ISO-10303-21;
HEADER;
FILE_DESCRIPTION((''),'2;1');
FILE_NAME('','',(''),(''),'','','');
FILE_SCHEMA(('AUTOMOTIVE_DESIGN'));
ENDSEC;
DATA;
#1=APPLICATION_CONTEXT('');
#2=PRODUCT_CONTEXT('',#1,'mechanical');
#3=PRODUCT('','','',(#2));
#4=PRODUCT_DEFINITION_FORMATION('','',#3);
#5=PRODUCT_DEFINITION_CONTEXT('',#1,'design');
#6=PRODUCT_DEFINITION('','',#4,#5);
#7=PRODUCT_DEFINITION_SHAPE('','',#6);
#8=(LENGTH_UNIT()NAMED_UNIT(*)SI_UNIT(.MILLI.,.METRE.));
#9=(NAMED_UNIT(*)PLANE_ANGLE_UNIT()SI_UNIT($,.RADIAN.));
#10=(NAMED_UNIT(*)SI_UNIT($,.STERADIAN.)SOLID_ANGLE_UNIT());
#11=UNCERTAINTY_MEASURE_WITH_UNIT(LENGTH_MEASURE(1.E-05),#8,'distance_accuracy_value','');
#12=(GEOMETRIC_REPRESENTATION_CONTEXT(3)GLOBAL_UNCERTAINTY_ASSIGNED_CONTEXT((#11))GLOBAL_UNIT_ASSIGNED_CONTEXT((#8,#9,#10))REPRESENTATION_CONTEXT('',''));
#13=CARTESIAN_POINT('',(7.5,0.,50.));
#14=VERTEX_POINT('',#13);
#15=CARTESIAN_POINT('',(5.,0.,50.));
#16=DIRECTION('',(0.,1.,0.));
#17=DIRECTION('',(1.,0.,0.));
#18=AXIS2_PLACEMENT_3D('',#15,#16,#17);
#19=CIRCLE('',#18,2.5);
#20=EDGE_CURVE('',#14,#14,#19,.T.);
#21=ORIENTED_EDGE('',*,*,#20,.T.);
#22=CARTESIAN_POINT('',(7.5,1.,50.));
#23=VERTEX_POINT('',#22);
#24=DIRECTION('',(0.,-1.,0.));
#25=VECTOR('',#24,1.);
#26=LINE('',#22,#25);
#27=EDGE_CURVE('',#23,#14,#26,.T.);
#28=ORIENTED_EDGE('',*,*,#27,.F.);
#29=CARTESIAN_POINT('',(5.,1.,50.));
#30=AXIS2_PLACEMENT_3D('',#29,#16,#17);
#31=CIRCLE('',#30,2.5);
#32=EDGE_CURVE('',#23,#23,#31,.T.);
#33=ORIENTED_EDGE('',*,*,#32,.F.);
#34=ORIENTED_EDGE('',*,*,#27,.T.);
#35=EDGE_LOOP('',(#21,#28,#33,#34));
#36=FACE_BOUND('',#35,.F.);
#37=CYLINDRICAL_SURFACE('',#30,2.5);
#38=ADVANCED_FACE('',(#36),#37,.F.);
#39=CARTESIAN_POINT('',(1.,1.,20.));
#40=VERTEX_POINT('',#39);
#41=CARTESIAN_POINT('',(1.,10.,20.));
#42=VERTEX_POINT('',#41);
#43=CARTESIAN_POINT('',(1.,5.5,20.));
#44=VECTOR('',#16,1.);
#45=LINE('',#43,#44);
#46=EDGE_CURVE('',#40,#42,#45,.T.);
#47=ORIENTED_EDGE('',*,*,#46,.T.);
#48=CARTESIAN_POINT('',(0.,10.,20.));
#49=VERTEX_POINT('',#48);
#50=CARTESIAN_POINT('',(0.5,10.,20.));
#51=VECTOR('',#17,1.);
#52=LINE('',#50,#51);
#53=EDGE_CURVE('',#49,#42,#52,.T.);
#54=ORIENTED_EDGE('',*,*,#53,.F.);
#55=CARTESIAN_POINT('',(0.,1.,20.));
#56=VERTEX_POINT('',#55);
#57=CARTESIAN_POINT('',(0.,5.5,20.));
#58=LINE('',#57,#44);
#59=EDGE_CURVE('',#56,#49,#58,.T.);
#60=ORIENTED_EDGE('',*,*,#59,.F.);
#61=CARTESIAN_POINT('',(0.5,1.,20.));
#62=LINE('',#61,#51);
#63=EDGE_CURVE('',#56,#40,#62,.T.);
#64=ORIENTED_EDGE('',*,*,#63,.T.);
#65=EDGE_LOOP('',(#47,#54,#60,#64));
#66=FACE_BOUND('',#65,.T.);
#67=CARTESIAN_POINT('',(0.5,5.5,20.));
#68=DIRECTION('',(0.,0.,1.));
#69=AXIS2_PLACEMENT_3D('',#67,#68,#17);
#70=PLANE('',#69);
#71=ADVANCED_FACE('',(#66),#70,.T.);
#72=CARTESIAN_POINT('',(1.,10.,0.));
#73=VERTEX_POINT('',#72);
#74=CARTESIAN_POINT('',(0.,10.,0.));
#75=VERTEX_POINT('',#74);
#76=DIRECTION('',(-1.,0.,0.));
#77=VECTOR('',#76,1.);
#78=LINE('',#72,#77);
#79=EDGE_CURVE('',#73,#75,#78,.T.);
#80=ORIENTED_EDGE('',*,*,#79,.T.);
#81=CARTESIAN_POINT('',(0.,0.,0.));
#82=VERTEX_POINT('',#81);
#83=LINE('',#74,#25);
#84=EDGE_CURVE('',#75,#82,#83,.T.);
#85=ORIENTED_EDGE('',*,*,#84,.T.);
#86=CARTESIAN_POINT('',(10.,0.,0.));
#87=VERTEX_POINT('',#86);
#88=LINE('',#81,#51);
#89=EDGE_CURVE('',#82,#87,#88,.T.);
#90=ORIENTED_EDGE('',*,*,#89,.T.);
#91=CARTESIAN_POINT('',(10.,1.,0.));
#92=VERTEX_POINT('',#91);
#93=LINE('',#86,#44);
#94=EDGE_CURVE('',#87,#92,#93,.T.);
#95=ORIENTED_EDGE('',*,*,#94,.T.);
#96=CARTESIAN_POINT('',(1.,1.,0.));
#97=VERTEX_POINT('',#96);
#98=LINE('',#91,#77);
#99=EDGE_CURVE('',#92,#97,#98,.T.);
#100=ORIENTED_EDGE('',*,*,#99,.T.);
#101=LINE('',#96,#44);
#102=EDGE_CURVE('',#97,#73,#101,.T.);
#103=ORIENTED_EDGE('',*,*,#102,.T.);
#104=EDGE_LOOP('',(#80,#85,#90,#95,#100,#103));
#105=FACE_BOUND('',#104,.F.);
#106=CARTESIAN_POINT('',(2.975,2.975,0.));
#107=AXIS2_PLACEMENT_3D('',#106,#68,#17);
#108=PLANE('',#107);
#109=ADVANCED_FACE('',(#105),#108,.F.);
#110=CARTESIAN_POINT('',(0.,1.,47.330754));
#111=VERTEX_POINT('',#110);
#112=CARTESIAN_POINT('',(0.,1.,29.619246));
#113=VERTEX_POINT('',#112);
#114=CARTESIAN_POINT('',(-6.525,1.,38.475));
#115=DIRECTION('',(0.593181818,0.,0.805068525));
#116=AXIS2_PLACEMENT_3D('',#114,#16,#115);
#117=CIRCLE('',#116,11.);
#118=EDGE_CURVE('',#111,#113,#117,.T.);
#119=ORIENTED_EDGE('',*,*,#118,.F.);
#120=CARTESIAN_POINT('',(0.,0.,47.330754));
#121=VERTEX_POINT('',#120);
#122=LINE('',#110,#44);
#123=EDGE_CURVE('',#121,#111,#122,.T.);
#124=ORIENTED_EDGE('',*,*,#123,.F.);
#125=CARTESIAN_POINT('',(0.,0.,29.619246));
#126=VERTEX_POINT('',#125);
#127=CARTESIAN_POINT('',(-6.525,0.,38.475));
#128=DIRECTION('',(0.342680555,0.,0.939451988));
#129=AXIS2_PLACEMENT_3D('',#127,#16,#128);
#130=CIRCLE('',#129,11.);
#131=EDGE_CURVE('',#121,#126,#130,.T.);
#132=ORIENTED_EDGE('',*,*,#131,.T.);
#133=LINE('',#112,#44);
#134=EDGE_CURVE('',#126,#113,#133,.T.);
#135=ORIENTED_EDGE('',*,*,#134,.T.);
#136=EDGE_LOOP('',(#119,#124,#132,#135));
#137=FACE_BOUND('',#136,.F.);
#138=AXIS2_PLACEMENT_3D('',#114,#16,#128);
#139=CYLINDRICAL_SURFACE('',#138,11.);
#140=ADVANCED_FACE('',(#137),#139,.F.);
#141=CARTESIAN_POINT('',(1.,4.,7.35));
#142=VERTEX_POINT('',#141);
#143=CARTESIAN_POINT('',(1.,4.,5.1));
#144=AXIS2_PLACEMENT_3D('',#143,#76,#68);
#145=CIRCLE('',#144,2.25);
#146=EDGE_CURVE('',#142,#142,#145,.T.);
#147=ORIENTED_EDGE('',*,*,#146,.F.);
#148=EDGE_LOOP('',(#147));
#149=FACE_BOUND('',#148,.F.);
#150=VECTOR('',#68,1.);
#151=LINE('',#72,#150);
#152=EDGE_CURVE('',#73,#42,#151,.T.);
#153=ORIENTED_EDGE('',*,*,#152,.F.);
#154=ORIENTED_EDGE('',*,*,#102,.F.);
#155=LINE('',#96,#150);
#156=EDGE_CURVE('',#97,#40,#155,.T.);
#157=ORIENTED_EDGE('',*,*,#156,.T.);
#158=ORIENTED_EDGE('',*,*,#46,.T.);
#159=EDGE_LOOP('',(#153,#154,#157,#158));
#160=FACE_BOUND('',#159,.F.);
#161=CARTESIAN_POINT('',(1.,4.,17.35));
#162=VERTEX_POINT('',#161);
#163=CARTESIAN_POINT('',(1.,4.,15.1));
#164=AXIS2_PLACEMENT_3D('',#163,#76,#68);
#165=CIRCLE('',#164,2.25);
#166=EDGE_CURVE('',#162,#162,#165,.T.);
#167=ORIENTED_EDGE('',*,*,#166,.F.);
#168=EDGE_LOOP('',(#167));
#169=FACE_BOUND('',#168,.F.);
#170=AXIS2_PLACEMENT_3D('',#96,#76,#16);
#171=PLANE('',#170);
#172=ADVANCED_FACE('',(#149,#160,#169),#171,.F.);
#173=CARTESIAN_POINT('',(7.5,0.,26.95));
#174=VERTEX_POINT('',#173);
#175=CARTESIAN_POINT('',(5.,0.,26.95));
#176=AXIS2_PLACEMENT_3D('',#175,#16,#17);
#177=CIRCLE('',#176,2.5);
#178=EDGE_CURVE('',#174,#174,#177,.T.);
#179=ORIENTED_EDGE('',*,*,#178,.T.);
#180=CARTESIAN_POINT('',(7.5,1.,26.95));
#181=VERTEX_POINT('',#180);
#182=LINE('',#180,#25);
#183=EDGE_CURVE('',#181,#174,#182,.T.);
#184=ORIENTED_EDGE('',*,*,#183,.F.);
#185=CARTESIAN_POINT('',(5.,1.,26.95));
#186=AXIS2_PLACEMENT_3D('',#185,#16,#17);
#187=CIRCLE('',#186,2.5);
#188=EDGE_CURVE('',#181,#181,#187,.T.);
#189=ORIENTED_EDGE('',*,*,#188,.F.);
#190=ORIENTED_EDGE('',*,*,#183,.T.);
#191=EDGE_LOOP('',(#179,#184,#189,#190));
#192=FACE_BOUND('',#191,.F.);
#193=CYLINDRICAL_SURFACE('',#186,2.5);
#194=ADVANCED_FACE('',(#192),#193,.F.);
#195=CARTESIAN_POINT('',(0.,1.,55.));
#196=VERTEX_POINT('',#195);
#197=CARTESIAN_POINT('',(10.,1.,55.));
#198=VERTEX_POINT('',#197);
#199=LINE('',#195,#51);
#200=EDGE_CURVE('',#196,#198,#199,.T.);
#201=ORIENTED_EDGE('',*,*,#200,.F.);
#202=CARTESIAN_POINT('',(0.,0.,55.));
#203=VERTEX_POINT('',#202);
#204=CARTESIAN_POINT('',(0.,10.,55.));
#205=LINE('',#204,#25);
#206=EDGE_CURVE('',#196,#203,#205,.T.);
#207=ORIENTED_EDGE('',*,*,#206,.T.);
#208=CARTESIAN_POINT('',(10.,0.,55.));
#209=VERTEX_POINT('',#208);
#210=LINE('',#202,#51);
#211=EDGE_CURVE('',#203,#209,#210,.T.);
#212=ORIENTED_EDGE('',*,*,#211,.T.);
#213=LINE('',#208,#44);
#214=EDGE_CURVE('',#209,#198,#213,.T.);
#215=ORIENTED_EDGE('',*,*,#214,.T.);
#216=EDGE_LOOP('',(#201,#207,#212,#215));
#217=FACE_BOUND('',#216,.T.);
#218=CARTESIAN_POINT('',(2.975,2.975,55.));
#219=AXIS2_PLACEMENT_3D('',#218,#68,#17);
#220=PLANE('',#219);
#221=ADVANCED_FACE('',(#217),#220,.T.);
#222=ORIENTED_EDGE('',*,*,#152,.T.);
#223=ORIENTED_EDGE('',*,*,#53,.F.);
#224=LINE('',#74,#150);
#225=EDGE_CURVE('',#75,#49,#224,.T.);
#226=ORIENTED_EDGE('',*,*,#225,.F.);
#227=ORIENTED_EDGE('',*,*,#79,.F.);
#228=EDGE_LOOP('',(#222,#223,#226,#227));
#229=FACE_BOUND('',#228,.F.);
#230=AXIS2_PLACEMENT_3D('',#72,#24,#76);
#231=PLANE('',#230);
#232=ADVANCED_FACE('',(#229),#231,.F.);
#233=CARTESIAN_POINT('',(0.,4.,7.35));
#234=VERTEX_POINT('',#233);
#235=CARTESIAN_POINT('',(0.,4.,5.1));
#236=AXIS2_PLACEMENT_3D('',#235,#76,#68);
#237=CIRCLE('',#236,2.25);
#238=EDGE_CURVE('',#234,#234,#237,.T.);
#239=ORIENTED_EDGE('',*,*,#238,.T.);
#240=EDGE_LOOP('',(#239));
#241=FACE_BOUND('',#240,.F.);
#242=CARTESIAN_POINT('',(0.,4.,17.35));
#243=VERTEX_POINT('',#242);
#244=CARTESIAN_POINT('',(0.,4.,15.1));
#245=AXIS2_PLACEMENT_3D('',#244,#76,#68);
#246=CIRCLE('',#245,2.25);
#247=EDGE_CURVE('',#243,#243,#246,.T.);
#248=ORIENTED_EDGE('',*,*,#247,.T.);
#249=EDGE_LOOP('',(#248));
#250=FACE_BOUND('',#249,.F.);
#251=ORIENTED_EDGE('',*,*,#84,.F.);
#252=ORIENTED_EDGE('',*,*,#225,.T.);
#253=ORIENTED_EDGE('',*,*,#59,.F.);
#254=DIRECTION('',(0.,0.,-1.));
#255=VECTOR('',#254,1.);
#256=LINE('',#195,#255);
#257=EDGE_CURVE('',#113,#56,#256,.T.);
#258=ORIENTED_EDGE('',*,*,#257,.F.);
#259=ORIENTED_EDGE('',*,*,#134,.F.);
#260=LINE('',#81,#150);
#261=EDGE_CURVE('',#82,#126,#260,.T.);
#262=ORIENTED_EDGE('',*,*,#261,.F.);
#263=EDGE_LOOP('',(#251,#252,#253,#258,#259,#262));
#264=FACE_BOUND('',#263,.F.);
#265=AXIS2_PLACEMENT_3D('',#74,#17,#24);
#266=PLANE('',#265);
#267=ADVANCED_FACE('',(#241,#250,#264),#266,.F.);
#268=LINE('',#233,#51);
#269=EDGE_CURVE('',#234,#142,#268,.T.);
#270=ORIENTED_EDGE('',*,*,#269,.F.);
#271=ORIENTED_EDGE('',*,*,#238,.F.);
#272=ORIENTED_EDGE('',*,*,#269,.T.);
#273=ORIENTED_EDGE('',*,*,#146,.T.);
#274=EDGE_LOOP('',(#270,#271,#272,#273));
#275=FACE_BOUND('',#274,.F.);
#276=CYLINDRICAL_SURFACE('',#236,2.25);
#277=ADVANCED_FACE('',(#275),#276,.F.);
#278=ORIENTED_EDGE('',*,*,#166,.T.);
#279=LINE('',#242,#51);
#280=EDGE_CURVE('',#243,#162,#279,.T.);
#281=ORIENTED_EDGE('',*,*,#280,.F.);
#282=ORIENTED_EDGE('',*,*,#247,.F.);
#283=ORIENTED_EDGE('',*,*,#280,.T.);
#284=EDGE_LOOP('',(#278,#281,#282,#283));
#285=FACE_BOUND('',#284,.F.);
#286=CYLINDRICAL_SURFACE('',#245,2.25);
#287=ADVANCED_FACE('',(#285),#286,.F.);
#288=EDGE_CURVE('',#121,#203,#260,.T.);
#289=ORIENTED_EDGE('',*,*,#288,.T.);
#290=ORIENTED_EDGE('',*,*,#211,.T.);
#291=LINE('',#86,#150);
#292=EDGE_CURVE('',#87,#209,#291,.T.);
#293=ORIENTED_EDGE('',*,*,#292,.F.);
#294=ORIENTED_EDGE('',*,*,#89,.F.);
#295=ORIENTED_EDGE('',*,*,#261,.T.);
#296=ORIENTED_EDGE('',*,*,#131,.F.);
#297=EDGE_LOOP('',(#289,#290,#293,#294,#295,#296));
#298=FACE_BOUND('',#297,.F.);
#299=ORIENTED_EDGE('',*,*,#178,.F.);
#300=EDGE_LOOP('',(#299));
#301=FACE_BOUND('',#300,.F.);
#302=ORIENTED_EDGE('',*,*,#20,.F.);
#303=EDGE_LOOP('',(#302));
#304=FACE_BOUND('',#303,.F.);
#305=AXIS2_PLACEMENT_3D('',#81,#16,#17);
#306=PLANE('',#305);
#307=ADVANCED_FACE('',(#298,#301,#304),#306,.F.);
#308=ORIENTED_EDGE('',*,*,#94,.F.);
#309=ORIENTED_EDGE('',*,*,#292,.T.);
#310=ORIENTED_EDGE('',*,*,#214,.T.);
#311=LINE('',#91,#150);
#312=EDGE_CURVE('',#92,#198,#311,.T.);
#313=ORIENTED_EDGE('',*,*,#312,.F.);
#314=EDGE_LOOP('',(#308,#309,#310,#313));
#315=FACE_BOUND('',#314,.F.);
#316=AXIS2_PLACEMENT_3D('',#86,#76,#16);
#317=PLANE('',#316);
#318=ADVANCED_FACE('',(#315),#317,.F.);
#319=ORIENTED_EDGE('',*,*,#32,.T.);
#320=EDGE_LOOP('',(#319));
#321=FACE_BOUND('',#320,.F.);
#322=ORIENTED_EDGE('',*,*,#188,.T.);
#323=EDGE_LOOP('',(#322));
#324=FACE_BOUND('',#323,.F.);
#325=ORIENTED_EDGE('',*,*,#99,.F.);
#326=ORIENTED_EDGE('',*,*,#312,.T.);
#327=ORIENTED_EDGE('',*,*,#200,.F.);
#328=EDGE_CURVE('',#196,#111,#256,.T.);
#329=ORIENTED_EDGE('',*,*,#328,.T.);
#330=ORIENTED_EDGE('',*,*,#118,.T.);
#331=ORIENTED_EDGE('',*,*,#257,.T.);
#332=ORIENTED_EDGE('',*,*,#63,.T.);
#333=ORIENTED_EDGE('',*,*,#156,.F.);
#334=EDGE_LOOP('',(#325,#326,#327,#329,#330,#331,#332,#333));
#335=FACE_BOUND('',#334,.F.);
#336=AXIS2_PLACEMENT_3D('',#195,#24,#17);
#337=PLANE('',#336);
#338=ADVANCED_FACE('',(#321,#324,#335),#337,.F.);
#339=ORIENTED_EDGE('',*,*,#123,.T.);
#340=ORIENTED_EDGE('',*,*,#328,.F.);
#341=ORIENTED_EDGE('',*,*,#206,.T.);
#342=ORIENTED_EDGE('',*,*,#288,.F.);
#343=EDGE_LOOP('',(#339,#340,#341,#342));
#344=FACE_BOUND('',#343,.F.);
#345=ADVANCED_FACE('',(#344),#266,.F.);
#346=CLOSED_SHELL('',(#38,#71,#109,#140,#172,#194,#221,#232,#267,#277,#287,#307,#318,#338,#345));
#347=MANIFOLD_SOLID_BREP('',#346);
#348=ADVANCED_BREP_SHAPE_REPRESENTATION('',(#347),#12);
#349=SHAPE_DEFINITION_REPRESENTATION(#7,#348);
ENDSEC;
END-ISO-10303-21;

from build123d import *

# Parameters (mm, degrees)
BOSS_EXTRUDE1_DEPTH = 55
SKETCH2_R           = 2.5
CUT_EXTRUDE1_DEPTH  = 2
SKETCH3_W           = 1
SKETCH3_H           = 9
CUT_EXTRUDE2_DEPTH  = 35
SKETCH4_R           = 2.25
CUT_EXTRUDE3_DEPTH  = 11


with BuildPart() as part:
    # Sketch1 → Boss-Extrude1 (new body)
    with BuildSketch(Plane.XY):
        Polygon((0, 10), (0, 0), (10, 0), (10, 1), (1, 1), (1, 10), align=None)
    extrude(amount=BOSS_EXTRUDE1_DEPTH)

    # Sketch2 → Cut-Extrude1 (cut, through all)
    with BuildSketch(Plane(origin=(0, 1, 0), x_dir=(1, 0, 0), z_dir=(0, 1, 0))):
        with Locations((5, -50)):
            Circle(SKETCH2_R)
        with Locations((5, -26.95)):
            Circle(SKETCH2_R)
        with BuildLine():
            Line((-2.7555139, -28.141028133), (-2.7555139, -48.808971867))
            ThreePointArc((-2.7555139, -48.808971867), (4.475, -38.475), (-2.7555139, -28.141028133))
        make_face()
    extrude(amount=-CUT_EXTRUDE1_DEPTH, mode=Mode.SUBTRACT)

    # Sketch3 → Cut-Extrude2 (cut)
    with BuildSketch(Plane.XY.offset(55)):
        with Locations((0.5, 5.5)):
            Rectangle(SKETCH3_W, SKETCH3_H)
    extrude(amount=-CUT_EXTRUDE2_DEPTH, mode=Mode.SUBTRACT)

    # Sketch4 → Cut-Extrude3 (cut, through all)
    with BuildSketch(Plane.ZY):
        with Locations((5.1, 4)):
            Circle(SKETCH4_R)
        with Locations((15.1, 4)):
            Circle(SKETCH4_R)
    extrude(amount=-CUT_EXTRUDE3_DEPTH, mode=Mode.SUBTRACT)


solid = part.part
